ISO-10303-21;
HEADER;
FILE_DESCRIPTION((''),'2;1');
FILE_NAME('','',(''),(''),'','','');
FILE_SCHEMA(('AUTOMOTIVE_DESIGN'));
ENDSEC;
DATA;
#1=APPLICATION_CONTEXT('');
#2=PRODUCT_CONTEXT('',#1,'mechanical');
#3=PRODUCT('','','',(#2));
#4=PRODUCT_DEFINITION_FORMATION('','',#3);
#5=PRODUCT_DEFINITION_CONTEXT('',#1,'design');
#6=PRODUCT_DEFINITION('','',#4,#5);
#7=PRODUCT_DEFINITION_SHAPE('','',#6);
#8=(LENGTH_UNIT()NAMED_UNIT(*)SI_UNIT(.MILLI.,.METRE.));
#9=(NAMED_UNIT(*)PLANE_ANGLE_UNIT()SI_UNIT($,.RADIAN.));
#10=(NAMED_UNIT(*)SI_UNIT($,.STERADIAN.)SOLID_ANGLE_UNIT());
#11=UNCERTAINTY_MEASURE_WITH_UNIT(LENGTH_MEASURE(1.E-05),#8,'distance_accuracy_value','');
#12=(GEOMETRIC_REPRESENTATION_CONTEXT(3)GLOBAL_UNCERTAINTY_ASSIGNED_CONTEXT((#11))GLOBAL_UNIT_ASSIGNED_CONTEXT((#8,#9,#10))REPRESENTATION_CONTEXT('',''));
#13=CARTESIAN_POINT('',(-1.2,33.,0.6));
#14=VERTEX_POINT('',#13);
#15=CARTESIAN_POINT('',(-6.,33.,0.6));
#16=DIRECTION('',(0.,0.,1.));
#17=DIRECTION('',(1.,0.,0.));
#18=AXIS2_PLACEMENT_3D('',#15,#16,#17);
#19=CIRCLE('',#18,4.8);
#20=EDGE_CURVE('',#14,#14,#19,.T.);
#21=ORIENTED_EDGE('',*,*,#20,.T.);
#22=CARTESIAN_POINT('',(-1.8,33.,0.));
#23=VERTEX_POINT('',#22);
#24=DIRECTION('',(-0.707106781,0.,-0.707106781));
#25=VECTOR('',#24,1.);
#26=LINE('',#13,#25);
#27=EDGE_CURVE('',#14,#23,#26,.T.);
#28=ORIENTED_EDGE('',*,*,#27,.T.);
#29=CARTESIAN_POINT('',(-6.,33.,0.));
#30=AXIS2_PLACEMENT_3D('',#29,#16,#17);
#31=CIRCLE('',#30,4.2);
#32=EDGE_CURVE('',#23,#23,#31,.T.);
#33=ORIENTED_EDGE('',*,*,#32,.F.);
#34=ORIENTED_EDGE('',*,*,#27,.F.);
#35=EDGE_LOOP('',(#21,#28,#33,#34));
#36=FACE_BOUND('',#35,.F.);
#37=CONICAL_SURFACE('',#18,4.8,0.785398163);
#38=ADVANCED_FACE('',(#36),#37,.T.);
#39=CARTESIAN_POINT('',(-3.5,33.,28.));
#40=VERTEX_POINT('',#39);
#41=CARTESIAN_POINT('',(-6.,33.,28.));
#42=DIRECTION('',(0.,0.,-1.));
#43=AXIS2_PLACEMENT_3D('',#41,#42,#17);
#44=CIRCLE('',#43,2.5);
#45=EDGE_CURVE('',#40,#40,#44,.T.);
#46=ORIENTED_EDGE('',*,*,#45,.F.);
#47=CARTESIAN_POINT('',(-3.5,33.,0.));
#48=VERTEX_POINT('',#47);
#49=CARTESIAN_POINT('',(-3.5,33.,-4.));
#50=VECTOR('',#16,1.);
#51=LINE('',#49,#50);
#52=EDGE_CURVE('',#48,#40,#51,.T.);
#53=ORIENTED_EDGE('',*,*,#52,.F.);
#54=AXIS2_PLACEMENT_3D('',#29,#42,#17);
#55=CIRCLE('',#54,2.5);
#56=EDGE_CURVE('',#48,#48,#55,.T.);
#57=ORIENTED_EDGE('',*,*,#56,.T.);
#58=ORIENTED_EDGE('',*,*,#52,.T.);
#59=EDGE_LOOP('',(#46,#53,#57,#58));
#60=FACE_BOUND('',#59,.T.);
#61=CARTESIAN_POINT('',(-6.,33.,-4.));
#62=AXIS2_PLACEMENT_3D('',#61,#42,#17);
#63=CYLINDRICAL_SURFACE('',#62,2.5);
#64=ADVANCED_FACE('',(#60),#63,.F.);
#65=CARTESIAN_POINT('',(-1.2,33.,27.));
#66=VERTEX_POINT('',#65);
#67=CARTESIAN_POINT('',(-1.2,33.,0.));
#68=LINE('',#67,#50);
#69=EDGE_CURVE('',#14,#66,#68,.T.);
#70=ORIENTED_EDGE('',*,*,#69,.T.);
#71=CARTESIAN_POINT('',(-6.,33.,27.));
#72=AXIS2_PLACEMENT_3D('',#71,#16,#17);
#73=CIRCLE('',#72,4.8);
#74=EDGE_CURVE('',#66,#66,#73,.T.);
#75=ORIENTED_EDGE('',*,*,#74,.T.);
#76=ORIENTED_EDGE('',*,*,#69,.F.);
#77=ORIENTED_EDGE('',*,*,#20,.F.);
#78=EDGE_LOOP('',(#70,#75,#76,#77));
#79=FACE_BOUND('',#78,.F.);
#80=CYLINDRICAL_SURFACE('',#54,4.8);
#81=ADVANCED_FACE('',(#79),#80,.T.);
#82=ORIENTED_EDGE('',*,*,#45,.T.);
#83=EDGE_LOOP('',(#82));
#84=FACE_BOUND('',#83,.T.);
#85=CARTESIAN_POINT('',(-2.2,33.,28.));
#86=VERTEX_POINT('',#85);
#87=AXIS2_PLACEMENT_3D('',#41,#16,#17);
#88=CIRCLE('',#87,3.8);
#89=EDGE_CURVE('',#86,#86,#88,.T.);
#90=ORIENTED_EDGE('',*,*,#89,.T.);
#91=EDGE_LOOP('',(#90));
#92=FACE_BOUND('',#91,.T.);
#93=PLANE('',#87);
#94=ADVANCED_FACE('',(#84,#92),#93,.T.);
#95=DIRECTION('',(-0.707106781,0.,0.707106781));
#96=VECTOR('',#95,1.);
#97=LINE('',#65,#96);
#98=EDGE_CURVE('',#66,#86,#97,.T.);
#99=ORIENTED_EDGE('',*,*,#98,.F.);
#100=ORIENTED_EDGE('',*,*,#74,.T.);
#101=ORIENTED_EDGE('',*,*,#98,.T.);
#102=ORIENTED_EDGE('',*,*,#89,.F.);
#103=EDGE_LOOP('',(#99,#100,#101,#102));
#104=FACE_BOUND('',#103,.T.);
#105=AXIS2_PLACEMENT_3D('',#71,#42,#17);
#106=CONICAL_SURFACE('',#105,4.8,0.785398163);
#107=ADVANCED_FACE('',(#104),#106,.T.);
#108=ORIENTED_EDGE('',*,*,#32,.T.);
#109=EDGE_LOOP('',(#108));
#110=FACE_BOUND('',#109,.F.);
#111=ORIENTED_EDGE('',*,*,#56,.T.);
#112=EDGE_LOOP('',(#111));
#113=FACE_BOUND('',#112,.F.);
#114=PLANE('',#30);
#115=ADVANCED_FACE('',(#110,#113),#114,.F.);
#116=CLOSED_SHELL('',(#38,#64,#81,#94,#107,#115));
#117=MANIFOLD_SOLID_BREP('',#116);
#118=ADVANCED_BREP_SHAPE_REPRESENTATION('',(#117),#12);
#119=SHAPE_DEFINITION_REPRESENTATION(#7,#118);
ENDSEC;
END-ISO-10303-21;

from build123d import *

# Parameters (mm, degrees)
CYLINDER053_R      = 2.5
CYLINDER053_DEPTH  = 50
CYLINDER052_R      = 4.8
CYLINDER052_DEPTH  = 28
CHAMFER006009_SIZE = 1
CHAMFER006010_SIZE = 0.6


with BuildPart() as cylinder063:
    # Cylinder053 → Cylinder053 (new body)
    with BuildSketch(Plane.XY.offset(-4)):
        Circle(CYLINDER053_R)
    extrude(amount=CYLINDER053_DEPTH)


with BuildPart() as locating_cylinder:
    # Cylinder052 → Cylinder052 (new body)
    with BuildSketch(Plane.XY):
        Circle(CYLINDER052_R)
    extrude(amount=CYLINDER052_DEPTH)

    # Cut144: cut Cylinder063
    add(cylinder063.part, mode=Mode.SUBTRACT)


with BuildPart() as locating_cylinder_1:
    # Cut144 placement: moved
    add(locating_cylinder.part.moved(Location((-6, 33, 0))))

    # Chamfer006009
    chamfer006009_edges = [locating_cylinder_1.edges().sort_by_distance(p)[0] for p in [
        (-10.8, 33, 28),
    ]]
    chamfer(chamfer006009_edges, length=CHAMFER006009_SIZE)

    # Chamfer006010
    chamfer006010_edges = [locating_cylinder_1.edges().sort_by_distance(p)[0] for p in [
        (-10.8, 33, 0),
    ]]
    chamfer(chamfer006010_edges, length=CHAMFER006010_SIZE)


solid = locating_cylinder_1.part
